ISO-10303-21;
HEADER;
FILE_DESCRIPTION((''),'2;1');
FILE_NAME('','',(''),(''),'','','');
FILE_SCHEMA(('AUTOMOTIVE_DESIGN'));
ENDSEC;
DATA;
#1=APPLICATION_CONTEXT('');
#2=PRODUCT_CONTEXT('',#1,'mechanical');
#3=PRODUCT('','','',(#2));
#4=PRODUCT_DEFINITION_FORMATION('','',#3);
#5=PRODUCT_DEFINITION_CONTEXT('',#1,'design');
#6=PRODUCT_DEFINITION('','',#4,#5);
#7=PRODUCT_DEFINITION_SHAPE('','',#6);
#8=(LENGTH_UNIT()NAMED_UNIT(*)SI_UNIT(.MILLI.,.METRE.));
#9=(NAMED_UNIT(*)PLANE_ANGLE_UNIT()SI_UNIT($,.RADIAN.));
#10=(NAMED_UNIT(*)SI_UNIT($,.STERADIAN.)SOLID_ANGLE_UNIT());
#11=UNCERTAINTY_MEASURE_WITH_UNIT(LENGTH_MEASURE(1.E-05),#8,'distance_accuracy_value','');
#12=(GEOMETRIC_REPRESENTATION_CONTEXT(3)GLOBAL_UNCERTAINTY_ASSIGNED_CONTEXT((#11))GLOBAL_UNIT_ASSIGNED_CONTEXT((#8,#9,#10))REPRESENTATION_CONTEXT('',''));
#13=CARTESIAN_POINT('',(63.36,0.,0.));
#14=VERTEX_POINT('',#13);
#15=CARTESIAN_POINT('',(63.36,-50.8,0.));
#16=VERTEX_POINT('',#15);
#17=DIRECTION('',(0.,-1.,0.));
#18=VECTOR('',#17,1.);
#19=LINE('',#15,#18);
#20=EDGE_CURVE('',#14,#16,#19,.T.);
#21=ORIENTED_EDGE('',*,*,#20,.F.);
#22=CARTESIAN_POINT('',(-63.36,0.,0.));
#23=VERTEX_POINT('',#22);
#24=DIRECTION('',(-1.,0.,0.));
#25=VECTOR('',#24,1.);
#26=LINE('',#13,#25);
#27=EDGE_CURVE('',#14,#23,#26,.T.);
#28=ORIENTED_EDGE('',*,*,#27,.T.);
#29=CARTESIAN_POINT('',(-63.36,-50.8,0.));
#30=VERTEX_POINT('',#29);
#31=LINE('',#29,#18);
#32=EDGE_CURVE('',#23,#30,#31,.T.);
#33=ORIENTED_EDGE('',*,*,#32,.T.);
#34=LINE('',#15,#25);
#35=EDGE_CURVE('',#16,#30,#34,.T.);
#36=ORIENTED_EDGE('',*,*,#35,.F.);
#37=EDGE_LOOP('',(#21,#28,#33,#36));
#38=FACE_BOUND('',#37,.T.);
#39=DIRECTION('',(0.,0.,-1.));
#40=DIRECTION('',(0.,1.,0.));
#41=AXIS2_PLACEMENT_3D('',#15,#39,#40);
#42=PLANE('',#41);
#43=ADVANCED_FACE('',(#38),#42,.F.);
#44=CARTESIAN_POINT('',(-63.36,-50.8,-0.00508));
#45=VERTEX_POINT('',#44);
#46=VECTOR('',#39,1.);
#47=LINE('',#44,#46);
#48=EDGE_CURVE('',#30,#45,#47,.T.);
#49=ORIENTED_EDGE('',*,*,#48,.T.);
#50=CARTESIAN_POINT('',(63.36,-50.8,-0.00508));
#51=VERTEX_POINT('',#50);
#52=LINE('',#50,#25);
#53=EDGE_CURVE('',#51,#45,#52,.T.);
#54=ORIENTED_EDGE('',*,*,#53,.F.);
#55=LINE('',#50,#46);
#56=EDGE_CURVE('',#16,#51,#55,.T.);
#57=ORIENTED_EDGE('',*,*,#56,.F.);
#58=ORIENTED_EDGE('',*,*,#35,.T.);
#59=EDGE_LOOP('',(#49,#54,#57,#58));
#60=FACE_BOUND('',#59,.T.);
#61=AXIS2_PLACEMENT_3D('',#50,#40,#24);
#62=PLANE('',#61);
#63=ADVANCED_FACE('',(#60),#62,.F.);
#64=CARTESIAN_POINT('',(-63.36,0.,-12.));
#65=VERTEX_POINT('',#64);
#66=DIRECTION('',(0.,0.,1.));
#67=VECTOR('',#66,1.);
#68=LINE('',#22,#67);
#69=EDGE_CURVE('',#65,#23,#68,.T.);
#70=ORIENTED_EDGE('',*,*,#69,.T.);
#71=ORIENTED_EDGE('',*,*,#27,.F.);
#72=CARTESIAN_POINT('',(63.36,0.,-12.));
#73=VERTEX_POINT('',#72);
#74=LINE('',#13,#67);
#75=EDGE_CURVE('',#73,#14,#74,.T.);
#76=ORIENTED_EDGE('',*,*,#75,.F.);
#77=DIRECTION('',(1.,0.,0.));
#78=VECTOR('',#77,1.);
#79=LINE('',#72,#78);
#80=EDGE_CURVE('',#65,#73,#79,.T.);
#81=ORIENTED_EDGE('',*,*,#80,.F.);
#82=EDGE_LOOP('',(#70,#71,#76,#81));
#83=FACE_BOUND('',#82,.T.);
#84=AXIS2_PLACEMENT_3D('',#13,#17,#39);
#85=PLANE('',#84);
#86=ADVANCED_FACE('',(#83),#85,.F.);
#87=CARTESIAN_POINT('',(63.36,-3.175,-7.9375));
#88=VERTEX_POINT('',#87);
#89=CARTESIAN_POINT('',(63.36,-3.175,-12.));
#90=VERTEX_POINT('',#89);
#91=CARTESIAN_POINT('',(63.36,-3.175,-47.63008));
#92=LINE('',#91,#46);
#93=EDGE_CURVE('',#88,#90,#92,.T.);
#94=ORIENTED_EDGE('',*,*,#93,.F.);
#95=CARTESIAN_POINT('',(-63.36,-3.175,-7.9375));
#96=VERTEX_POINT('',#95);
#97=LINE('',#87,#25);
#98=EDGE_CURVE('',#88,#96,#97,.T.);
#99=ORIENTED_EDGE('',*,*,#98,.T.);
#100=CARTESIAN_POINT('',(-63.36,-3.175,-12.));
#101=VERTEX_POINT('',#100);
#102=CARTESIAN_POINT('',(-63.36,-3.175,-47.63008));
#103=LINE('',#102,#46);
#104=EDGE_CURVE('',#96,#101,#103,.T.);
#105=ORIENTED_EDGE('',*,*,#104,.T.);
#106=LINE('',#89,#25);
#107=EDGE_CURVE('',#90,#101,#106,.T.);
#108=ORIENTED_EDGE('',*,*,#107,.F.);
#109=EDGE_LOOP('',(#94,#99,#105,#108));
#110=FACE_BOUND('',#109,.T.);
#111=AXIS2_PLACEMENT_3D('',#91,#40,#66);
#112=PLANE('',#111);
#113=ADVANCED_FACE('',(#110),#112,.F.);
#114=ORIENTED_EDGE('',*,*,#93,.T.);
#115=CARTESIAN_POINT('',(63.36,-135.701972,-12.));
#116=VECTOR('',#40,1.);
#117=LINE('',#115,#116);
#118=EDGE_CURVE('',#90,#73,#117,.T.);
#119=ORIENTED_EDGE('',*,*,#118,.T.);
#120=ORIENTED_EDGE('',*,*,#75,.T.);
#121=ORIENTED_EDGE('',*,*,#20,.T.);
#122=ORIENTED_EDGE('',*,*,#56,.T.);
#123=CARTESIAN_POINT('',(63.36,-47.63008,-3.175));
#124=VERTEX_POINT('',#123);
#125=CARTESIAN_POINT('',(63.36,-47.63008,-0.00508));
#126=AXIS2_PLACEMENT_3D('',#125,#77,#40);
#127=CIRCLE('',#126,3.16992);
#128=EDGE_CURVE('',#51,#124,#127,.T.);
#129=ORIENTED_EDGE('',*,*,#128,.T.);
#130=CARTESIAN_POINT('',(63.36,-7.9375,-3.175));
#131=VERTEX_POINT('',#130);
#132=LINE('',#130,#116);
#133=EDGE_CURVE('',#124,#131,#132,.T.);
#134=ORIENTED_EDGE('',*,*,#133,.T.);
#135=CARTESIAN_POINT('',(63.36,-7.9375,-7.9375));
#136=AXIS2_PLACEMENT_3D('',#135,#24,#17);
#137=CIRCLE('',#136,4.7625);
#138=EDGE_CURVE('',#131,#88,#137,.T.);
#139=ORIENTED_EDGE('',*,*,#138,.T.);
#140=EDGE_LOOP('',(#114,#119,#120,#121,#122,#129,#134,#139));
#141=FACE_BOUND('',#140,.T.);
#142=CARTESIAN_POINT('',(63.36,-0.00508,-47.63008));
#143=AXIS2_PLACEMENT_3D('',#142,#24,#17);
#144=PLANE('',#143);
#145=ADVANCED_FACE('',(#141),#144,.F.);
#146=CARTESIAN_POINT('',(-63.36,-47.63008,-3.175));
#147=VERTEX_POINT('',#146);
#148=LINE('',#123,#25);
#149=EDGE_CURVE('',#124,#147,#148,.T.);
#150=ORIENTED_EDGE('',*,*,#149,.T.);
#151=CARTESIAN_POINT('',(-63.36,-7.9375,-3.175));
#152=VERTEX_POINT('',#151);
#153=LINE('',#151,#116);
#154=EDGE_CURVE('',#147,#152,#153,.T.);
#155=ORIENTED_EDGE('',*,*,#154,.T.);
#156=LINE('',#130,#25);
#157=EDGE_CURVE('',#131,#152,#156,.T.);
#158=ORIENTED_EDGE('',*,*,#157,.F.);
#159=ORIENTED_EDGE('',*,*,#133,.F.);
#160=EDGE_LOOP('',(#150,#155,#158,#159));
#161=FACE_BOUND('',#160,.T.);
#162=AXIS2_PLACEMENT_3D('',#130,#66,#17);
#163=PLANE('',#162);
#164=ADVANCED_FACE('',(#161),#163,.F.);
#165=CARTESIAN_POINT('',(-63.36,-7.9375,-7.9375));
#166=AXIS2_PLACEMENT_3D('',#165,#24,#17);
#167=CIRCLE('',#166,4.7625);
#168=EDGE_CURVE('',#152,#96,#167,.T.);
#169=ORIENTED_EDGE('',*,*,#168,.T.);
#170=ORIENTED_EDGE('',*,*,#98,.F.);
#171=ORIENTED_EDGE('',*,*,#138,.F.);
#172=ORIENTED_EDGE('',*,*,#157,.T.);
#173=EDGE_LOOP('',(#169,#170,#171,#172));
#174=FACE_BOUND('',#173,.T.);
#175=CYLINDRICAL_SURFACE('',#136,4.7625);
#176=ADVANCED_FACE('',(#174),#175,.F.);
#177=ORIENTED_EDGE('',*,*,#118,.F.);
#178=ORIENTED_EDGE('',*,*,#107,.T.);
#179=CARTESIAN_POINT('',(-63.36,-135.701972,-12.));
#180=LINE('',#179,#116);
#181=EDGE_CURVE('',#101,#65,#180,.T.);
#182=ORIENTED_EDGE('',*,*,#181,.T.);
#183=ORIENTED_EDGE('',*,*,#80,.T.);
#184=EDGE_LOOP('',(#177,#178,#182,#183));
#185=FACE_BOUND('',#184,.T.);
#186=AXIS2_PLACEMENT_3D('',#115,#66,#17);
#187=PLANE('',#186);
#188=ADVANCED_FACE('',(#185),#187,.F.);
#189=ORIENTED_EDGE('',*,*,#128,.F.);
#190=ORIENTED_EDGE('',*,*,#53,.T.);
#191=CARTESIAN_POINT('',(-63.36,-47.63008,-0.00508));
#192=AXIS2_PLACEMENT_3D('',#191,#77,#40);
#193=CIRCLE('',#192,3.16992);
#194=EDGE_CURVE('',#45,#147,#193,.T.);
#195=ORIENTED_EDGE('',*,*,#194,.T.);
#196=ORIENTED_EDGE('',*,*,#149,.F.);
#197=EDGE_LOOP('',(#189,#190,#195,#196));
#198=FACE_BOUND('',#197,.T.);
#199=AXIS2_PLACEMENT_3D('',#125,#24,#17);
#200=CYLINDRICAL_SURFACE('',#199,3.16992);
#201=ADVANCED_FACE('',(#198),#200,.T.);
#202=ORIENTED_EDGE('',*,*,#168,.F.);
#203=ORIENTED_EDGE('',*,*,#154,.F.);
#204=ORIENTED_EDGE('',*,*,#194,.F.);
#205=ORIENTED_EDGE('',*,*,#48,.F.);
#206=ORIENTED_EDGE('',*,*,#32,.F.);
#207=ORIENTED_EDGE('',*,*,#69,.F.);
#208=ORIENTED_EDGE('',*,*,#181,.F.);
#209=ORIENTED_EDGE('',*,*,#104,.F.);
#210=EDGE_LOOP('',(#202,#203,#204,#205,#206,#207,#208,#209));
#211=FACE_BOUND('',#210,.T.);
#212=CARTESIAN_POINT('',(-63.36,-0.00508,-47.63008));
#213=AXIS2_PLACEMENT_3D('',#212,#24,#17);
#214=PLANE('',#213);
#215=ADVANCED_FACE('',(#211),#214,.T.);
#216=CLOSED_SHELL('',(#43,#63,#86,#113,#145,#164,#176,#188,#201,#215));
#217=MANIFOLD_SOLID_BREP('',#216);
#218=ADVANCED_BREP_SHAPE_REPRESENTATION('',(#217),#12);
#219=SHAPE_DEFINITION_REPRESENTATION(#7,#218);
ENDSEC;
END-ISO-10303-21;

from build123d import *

# Parameters (mm, degrees)
HIERRO_ANGULAR_2_X_2_X_0_125_1_DEPTH = 126.72
CROQUIS3_W                           = 126.72
CROQUIS3_H                           = 38.8
CORTAR_EXTRUIR1_DEPTH                = 3.175


with BuildPart() as part:
    # Sketch1 → Hierro angular 2 X 2 X 0.125(1) (new body)
    with BuildSketch(Plane(origin=(-63.36, 0, 0), x_dir=(0, -1, 0), z_dir=(1, 0, 0))):
        with BuildLine():
            Line((0, 0), (0, 50.8))
            Line((0, 50.8), (0.00508, 50.8))
            ThreePointArc((0.00508, 50.8), (2.246551928, 49.871551928), (3.175, 47.63008))
            Line((3.175, 47.63008), (3.175, 7.9375))
            ThreePointArc((3.175, 7.9375), (4.569903955, 4.569903955), (7.9375, 3.175))
            Line((7.9375, 3.175), (47.63008, 3.175))
            ThreePointArc((47.63008, 3.175), (49.871551928, 2.246551928), (50.8, 0.00508))
            Line((50.8, 0.00508), (50.8, 0))
            Line((50.8, 0), (0, 0))
        make_face()
    extrude(amount=HIERRO_ANGULAR_2_X_2_X_0_125_1_DEPTH)

    # Croquis3 → Cortar-Extruir1 (cut)
    with BuildSketch(Plane(origin=(0, 0, 0), x_dir=(1, 0, 0), z_dir=(0, 1, 0))):
        with Locations((0, 31.4)):
            Rectangle(CROQUIS3_W, CROQUIS3_H)
    extrude(amount=-CORTAR_EXTRUIR1_DEPTH, mode=Mode.SUBTRACT)


solid = part.part
